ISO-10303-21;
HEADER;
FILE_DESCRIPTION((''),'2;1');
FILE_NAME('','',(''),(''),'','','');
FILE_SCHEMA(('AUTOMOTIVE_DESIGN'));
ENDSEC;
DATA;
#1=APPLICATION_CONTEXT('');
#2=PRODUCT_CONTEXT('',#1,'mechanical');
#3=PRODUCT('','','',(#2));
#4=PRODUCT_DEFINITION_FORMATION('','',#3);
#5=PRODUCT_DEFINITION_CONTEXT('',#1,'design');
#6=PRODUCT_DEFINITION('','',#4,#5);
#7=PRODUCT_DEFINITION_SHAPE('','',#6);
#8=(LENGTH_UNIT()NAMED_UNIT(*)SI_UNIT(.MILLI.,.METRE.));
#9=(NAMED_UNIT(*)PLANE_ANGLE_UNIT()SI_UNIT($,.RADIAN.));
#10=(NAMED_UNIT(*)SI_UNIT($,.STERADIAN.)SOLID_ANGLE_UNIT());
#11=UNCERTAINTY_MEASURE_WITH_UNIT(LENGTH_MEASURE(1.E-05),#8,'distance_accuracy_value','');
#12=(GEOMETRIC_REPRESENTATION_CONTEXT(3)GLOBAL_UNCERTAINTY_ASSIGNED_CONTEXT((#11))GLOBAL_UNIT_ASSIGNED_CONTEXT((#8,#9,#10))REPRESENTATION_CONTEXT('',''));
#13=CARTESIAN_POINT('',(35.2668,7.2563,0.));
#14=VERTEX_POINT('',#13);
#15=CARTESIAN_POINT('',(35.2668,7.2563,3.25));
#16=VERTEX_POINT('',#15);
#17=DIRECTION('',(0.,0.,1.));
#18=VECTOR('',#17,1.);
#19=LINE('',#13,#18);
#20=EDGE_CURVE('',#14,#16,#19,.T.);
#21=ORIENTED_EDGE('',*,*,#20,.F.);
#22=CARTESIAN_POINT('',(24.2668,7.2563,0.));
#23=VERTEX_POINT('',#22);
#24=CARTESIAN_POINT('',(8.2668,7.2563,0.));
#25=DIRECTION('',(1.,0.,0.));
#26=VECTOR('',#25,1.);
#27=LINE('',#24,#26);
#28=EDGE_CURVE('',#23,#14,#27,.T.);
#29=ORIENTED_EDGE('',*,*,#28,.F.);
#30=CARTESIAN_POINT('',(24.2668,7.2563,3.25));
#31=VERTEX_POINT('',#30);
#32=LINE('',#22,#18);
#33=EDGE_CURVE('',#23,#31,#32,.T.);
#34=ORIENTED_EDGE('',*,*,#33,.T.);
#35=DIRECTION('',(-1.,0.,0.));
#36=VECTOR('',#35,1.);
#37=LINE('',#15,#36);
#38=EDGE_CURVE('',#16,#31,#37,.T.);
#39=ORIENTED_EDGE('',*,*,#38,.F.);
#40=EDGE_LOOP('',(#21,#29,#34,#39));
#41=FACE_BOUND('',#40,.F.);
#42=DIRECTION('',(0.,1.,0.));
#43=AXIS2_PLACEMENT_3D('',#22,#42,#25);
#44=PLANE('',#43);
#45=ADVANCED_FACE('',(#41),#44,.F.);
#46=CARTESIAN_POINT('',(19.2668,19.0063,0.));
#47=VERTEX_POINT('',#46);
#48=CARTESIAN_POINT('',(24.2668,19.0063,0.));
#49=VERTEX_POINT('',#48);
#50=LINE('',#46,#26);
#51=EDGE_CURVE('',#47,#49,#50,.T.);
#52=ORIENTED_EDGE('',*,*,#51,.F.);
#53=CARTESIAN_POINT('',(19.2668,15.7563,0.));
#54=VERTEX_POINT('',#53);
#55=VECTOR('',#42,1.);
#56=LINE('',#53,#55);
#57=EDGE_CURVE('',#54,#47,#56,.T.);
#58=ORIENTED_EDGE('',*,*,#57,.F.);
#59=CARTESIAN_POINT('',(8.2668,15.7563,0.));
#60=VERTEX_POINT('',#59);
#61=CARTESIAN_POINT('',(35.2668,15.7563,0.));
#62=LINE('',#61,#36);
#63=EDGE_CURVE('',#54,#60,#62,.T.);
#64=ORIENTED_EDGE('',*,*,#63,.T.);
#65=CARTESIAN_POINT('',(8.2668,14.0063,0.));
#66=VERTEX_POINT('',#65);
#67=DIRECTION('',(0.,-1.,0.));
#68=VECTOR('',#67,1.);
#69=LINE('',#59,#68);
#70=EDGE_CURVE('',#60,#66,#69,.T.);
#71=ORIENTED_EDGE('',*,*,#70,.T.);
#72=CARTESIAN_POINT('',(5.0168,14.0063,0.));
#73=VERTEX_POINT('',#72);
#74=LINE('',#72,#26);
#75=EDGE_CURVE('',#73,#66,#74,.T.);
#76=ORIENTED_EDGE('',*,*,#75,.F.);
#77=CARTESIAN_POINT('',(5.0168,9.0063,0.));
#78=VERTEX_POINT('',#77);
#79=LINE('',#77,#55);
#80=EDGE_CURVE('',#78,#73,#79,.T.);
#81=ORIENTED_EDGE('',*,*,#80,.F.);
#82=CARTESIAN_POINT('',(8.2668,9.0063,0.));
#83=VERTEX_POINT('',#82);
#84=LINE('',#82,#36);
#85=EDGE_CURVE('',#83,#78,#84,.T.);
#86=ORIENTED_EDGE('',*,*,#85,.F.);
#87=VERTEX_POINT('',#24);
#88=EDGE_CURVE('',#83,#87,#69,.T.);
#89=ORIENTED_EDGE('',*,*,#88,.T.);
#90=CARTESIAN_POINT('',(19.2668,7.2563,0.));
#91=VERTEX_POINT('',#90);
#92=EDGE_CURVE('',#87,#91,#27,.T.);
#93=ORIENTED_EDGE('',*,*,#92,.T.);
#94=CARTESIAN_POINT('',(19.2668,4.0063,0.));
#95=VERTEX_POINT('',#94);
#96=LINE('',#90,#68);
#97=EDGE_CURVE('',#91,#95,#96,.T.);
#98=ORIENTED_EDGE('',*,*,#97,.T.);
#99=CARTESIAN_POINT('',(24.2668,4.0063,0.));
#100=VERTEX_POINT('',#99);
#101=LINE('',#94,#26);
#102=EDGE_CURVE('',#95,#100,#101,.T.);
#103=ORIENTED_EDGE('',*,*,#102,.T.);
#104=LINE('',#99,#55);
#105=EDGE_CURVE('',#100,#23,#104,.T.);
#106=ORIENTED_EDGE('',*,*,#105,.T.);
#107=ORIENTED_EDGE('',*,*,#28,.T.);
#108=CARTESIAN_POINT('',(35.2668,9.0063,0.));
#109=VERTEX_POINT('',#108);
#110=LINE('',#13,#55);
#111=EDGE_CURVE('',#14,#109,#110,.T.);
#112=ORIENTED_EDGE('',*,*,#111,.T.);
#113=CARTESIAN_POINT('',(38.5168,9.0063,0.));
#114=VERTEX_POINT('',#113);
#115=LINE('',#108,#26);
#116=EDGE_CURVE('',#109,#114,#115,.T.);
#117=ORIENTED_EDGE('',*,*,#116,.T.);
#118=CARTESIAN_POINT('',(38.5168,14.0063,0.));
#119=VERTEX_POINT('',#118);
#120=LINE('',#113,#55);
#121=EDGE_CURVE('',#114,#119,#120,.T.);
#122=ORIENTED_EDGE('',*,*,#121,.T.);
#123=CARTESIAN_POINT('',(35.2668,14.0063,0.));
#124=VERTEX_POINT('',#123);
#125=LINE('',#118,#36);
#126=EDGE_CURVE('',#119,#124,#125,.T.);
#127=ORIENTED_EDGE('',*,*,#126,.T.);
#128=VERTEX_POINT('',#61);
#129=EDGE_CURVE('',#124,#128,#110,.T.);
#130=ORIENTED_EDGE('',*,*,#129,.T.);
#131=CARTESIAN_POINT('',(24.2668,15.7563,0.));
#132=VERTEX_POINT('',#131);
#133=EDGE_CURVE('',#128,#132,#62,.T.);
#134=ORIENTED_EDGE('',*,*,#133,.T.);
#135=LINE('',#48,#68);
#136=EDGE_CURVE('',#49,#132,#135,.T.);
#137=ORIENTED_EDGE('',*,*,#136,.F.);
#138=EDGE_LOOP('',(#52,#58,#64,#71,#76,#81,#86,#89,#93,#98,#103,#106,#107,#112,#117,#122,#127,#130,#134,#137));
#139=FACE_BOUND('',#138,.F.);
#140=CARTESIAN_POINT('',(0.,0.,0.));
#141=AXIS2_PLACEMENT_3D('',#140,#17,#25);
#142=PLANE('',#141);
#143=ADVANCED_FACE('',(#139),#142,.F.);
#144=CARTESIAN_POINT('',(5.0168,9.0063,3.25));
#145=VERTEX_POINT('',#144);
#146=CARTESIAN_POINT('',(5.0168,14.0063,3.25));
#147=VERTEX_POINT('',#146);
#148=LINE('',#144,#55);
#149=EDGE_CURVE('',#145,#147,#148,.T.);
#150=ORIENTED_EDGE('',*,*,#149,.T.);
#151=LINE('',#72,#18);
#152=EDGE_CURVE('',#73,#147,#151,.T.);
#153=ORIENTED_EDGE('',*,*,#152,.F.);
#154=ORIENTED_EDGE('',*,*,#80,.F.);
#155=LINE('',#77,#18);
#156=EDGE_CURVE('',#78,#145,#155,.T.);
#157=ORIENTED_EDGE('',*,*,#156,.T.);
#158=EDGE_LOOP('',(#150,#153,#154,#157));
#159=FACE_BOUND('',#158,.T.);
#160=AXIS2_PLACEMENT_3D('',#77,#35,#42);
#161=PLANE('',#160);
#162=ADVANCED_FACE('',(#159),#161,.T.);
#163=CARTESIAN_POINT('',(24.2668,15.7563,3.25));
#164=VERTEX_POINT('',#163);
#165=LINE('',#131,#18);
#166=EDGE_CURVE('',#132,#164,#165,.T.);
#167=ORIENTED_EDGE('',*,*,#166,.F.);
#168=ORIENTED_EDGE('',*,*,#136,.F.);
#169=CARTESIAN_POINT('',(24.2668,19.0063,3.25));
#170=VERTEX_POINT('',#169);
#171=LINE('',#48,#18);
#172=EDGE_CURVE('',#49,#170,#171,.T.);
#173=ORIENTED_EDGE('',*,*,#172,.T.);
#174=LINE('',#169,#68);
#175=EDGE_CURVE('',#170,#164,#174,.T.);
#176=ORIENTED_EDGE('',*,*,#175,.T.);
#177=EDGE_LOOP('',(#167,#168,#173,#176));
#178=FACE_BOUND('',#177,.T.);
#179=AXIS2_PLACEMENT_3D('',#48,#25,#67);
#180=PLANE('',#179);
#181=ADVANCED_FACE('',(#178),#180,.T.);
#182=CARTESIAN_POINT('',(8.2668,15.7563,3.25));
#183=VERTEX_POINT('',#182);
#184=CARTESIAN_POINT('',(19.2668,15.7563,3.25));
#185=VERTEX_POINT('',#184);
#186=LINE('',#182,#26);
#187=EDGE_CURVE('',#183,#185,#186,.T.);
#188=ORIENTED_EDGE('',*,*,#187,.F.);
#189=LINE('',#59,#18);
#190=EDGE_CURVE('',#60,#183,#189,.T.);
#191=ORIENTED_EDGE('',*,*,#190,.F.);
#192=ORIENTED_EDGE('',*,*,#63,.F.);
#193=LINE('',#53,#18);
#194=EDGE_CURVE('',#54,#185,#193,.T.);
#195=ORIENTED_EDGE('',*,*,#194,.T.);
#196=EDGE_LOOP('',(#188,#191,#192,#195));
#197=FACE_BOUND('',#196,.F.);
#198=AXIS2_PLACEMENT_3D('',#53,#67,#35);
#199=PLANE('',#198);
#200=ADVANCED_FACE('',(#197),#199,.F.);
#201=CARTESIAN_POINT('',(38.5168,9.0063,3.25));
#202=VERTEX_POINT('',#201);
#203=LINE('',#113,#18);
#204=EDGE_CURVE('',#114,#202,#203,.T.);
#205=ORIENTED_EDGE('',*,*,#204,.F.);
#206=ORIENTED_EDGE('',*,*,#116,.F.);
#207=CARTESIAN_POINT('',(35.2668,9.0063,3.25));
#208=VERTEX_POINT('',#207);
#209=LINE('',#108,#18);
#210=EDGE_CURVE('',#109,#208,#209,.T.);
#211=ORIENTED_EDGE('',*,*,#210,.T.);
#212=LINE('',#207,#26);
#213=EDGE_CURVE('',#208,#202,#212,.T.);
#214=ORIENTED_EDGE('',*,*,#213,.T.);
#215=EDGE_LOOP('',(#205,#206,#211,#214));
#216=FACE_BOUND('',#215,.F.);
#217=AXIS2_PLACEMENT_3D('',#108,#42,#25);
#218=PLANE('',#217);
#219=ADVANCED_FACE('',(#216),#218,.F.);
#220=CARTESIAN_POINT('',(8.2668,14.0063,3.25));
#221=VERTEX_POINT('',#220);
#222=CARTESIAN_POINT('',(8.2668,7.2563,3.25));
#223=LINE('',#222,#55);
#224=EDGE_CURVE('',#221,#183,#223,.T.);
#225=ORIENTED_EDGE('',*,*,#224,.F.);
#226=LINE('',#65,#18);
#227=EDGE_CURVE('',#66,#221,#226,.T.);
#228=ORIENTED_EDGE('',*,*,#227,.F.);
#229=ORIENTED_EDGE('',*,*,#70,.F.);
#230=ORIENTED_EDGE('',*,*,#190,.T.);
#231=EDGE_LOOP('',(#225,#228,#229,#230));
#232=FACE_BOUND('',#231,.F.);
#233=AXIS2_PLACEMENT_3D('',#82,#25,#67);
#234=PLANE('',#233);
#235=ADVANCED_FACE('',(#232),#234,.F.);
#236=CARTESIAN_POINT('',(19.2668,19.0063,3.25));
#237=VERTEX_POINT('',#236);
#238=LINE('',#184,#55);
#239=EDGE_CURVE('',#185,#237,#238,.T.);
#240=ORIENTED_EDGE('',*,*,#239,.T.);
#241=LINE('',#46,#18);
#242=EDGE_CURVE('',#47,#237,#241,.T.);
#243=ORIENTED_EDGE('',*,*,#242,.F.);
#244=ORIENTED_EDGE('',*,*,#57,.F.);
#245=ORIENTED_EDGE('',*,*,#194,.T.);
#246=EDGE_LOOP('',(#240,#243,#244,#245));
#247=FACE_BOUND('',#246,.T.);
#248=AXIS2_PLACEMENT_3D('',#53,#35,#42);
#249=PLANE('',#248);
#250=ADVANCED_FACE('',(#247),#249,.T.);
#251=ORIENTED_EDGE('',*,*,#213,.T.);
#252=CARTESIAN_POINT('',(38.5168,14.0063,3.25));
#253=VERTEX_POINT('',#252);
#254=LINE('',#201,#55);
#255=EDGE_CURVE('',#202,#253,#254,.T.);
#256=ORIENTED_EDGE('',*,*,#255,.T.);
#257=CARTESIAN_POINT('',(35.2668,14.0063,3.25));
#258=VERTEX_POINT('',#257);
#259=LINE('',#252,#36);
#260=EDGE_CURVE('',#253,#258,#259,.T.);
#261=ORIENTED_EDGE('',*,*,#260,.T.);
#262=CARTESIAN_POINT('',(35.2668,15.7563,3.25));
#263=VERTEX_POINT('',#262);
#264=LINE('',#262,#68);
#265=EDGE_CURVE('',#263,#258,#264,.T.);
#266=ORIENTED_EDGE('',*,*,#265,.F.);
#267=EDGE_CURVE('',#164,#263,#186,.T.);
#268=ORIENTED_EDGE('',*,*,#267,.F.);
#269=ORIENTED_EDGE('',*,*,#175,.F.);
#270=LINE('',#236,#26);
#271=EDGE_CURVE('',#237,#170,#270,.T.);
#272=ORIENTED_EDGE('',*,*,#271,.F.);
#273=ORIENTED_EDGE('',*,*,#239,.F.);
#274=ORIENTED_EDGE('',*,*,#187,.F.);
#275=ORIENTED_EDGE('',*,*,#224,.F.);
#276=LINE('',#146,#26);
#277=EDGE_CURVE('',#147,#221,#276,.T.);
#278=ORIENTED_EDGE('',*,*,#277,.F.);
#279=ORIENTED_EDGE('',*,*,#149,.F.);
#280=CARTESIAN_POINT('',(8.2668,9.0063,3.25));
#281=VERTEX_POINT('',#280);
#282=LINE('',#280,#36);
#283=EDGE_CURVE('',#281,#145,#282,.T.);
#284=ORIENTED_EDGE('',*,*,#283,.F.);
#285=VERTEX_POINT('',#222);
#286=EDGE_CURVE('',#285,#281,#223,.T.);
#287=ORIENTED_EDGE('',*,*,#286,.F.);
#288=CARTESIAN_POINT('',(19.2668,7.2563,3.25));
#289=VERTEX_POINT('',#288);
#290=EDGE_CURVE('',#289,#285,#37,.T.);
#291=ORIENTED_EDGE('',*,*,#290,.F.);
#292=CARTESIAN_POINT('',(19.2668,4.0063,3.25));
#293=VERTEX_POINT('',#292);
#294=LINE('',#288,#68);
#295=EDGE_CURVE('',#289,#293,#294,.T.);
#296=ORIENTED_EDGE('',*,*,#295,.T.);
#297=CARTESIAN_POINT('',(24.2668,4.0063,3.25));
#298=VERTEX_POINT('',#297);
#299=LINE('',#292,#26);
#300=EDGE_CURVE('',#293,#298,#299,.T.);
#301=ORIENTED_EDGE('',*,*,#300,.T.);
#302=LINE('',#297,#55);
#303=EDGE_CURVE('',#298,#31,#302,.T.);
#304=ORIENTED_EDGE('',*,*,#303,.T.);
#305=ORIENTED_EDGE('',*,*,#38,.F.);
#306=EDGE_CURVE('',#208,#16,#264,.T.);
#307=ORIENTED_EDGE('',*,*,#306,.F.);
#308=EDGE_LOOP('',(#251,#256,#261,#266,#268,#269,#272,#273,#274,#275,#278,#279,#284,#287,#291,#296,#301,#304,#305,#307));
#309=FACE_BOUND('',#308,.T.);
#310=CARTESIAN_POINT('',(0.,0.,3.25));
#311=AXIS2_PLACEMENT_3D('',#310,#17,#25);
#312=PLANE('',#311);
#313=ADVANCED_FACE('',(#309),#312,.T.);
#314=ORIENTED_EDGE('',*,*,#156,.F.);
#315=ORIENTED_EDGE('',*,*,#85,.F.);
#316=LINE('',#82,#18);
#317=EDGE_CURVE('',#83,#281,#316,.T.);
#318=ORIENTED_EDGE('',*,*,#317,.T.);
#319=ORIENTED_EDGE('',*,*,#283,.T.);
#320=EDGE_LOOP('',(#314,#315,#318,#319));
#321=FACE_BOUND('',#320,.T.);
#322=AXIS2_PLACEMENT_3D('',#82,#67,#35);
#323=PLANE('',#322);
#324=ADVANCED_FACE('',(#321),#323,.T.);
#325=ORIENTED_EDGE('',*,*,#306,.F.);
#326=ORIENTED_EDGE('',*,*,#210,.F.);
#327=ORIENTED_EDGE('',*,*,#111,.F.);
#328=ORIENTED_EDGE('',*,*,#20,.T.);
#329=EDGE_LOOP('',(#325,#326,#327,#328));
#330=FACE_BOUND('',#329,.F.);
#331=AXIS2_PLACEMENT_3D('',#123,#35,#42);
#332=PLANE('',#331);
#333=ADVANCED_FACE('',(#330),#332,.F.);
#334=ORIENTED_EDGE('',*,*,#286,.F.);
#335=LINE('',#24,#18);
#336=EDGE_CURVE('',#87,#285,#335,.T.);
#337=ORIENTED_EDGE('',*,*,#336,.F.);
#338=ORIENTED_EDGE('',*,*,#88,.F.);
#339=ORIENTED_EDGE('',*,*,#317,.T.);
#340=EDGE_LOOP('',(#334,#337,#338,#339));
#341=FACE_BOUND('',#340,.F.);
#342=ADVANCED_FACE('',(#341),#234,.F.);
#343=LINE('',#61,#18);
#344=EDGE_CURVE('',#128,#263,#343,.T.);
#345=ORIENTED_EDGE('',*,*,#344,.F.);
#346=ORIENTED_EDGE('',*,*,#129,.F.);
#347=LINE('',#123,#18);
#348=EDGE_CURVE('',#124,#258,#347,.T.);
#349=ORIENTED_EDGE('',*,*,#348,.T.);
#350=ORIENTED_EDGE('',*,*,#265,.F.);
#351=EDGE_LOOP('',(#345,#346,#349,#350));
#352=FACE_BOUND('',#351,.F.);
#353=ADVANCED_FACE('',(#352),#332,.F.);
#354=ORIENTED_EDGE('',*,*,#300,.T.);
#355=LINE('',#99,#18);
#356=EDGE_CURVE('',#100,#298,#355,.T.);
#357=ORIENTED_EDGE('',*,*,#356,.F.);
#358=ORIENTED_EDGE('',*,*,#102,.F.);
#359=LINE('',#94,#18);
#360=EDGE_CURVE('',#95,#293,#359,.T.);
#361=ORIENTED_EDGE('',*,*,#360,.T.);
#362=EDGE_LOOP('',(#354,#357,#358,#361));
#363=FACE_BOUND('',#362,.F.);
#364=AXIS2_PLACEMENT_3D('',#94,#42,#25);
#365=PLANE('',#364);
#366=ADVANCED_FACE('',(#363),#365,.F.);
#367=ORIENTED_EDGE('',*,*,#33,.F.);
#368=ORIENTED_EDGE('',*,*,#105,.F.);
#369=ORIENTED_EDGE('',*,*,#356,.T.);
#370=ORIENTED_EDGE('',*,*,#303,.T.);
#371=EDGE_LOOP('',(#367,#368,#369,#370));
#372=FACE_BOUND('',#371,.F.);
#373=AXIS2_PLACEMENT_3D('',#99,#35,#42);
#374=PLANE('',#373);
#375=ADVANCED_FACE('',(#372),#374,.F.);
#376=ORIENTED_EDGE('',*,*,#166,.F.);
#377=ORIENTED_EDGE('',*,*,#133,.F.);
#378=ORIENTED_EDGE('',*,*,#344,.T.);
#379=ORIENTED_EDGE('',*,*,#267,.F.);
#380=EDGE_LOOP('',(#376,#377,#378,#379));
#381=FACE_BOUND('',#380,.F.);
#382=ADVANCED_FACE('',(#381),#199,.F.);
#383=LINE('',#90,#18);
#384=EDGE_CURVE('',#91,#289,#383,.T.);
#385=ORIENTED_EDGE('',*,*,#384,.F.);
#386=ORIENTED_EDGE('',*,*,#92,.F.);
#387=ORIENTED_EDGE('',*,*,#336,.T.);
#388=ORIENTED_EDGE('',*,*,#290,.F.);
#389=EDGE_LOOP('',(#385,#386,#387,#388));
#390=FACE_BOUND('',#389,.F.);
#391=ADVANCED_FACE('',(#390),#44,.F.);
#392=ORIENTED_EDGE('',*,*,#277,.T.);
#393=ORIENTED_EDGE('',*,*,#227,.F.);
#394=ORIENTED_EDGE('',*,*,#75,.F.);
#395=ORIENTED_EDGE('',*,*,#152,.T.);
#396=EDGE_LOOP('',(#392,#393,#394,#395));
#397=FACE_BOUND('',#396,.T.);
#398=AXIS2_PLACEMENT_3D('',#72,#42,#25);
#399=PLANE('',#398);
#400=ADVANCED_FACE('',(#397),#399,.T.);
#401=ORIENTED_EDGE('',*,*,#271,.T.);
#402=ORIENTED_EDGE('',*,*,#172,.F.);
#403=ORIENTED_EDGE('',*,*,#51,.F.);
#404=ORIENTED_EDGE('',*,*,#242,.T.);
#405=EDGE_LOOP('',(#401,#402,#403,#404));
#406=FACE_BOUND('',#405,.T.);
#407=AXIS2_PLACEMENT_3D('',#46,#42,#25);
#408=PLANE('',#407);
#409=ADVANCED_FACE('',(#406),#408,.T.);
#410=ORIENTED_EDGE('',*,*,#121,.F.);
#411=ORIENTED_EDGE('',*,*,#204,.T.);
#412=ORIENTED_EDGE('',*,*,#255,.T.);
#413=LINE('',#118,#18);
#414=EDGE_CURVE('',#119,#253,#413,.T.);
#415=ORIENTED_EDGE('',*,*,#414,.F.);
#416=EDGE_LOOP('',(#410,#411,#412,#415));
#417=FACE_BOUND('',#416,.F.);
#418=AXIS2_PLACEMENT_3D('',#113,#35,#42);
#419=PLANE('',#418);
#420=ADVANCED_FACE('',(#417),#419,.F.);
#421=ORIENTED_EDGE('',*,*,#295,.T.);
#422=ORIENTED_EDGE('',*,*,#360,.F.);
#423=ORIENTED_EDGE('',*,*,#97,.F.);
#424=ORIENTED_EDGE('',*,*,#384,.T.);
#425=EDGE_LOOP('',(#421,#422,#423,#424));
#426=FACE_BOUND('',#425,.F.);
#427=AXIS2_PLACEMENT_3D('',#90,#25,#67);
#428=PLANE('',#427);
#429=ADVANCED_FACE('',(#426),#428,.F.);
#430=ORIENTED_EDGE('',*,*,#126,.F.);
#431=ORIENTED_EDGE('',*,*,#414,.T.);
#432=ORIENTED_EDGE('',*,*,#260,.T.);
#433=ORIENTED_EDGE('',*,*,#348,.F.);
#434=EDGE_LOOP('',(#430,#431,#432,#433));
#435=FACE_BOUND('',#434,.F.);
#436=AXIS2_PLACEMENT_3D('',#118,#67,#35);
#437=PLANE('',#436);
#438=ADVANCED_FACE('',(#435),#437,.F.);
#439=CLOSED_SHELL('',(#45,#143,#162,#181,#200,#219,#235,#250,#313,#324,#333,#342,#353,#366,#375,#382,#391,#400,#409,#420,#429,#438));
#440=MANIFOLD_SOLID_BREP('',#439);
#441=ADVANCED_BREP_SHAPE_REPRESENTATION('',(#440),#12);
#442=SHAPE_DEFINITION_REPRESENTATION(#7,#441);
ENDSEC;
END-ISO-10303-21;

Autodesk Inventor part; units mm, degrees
ref_plane "YZ Plane" through (0, 0, 0) normal (1, 0, 0) x (0, 1, 0)
ref_plane "XZ Plane" through (0, 0, 0) normal (0, 1, 0) x (-1, 0, 0)
ref_plane "XY Plane" through (0, 0, 0) normal (0, 0, 1) x (1, 0, 0)
sketch "Block1" plane through (0, 0, 0) normal (0, 0, 1) x (1, 0, 0)
  circle A0 centre (74.029, 24.2723) radius 1
  line L0 (49.279, 30.4723) -> (71.779, 30.4723)
  line L1 (71.779, 30.4723) -> (71.779, 18.0723)
  line L2 (71.779, 18.0723) -> (49.279, 18.0723)
  line L3 (49.279, 18.0723) -> (49.279, 30.4723)
  line L4 (49.279, 30.4723) -> (44.779, 30.4723)
  line L5 (44.779, 30.4723) -> (44.779, 18.0723)
  line L6 (44.779, 18.0723) -> (49.279, 18.0723)
  line L7 (49.279, 18.0723) -> (49.279, 30.4723)
  line L8 (71.779, 30.4723) -> (76.279, 30.4723)
  line L9 (76.279, 30.4723) -> (76.279, 18.0723)
  line L10 (76.279, 18.0723) -> (71.779, 18.0723)
  line L11 (71.779, 18.0723) -> (71.779, 30.4723)
  line L12 (44.779, 24.2723) -> (76.279, 24.2723) construction
  line L13 (47.029, 30.4723) -> (47.029, 18.0723) construction
  circle A1 centre (47.029, 24.2723) radius 1
  line L14 (74.029, 30.4723) -> (74.029, 18.0723) construction
  point P0 (60.979, 24.0984)
  dimension "d7" = 22.5
  dimension "d8" = 12.4
  dimension "d9" = 4.5
  dimension "d10" = 4.5
  dimension "d11" = 2
  dimension "d12" = 2
sketch "Sketch1" plane through (0, 0, 0) normal (0, 0, 1) x (1, 0, 0)
  line L0 (-92.7646, -8.503) -> (-89.7646, -8.503)
  line L1 (-89.7646, -8.503) -> (-89.7646, -11.753)
  line L2 (-89.7646, -11.753) -> (-92.7646, -11.753)
  line L3 (-92.7646, -11.753) -> (-92.7646, -8.503)
  line L4 (-92.7646, -21.6527) -> (-89.7646, -21.6527)
  line L5 (-89.7646, -21.6527) -> (-89.7646, -21.7527)
  line L6 (-89.7646, -21.7527) -> (-92.7646, -21.7527)
  line L7 (-92.7646, -21.7527) -> (-92.7646, -21.6527)
  line L8 (8.2668, 7.2563) -> (35.2668, 7.2563)
  line L9 (35.2668, 7.2563) -> (35.2668, 15.7563)
  line L10 (35.2668, 15.7563) -> (8.2668, 15.7563)
  line L11 (8.2668, 15.7563) -> (8.2668, 7.2563)
  line L12 (8.2668, 11.5063) -> (35.2668, 11.5063) construction
  line L13 (21.7668, 15.7563) -> (21.7668, 7.2563) construction
  line L14 (19.2668, 19.0063) -> (24.2668, 19.0063)
  line L15 (24.2668, 19.0063) -> (24.2668, 15.7563)
  line L16 (24.2668, 15.7563) -> (19.2668, 15.7563)
  line L17 (19.2668, 15.7563) -> (19.2668, 19.0063)
  line L18 (21.7668, 19.0063) -> (21.7668, 15.7563) construction
  line L19 (19.2668, 4.0063) -> (24.2668, 4.0063)
  line L20 (24.2668, 4.0063) -> (24.2668, 7.2563)
  line L21 (24.2668, 7.2563) -> (19.2668, 7.2563)
  line L22 (19.2668, 7.2563) -> (19.2668, 4.0063)
  line L23 (21.7668, 4.0063) -> (21.7668, 7.2563) construction
  line L24 (5.0168, 14.0063) -> (8.2668, 14.0063)
  line L25 (8.2668, 14.0063) -> (8.2668, 9.0063)
  line L26 (8.2668, 9.0063) -> (5.0168, 9.0063)
  line L27 (5.0168, 9.0063) -> (5.0168, 14.0063)
  line L28 (5.0168, 11.5063) -> (8.2668, 11.5063) construction
  line L29 (38.5168, 14.0063) -> (35.2668, 14.0063)
  line L30 (35.2668, 14.0063) -> (35.2668, 9.0063)
  line L31 (35.2668, 9.0063) -> (38.5168, 9.0063)
  line L32 (38.5168, 9.0063) -> (38.5168, 14.0063)
  line L33 (38.5168, 11.5063) -> (35.2668, 11.5063) construction
  point P0 (0, 0)
  point P1 (21.7668, 4.0063)
  dimension "d0" = 3
  dimension "mat" = 3.25
  dimension "d2" = 3
  dimension "d3" = 0.1
  dimension "d58" = 27
  dimension "d59" = 8.5
  dimension "d62" = 5
  dimension "d63" = 3.25
  dimension "d64" = 3.25
  dimension "d65" = 5
extrude "Extrusion5" add sketch "Sketch1" along normal blind 3.25 contours L11 L10 L9 L8
extrude "Extrusion6" cut sketch "Sketch1" along normal blind 3.25 contours L8 L20 L19 L22 | L26 L27 L24 L11 | L9 L29 L32 L31 | L17 L14 L15 L10
extrude "Extrusion7" add sketch "Sketch1" along normal blind 3.25 contours L26 L27 L24 L11 | L9 L29 L32 L31
extrude "Extrusion8" add sketch "Sketch1" along normal blind 3.25 contours L8 L20 L19 L22 | L17 L14 L15 L10
equation "\"d63\" = mat"
equation "\"d64\" = mat"
equation "\"d60\" = mat"
equation "\"d66\" = mat"
equation "\"d68\" = mat"
equation "\"d70\" = mat"
properties part number "arm-servo"
